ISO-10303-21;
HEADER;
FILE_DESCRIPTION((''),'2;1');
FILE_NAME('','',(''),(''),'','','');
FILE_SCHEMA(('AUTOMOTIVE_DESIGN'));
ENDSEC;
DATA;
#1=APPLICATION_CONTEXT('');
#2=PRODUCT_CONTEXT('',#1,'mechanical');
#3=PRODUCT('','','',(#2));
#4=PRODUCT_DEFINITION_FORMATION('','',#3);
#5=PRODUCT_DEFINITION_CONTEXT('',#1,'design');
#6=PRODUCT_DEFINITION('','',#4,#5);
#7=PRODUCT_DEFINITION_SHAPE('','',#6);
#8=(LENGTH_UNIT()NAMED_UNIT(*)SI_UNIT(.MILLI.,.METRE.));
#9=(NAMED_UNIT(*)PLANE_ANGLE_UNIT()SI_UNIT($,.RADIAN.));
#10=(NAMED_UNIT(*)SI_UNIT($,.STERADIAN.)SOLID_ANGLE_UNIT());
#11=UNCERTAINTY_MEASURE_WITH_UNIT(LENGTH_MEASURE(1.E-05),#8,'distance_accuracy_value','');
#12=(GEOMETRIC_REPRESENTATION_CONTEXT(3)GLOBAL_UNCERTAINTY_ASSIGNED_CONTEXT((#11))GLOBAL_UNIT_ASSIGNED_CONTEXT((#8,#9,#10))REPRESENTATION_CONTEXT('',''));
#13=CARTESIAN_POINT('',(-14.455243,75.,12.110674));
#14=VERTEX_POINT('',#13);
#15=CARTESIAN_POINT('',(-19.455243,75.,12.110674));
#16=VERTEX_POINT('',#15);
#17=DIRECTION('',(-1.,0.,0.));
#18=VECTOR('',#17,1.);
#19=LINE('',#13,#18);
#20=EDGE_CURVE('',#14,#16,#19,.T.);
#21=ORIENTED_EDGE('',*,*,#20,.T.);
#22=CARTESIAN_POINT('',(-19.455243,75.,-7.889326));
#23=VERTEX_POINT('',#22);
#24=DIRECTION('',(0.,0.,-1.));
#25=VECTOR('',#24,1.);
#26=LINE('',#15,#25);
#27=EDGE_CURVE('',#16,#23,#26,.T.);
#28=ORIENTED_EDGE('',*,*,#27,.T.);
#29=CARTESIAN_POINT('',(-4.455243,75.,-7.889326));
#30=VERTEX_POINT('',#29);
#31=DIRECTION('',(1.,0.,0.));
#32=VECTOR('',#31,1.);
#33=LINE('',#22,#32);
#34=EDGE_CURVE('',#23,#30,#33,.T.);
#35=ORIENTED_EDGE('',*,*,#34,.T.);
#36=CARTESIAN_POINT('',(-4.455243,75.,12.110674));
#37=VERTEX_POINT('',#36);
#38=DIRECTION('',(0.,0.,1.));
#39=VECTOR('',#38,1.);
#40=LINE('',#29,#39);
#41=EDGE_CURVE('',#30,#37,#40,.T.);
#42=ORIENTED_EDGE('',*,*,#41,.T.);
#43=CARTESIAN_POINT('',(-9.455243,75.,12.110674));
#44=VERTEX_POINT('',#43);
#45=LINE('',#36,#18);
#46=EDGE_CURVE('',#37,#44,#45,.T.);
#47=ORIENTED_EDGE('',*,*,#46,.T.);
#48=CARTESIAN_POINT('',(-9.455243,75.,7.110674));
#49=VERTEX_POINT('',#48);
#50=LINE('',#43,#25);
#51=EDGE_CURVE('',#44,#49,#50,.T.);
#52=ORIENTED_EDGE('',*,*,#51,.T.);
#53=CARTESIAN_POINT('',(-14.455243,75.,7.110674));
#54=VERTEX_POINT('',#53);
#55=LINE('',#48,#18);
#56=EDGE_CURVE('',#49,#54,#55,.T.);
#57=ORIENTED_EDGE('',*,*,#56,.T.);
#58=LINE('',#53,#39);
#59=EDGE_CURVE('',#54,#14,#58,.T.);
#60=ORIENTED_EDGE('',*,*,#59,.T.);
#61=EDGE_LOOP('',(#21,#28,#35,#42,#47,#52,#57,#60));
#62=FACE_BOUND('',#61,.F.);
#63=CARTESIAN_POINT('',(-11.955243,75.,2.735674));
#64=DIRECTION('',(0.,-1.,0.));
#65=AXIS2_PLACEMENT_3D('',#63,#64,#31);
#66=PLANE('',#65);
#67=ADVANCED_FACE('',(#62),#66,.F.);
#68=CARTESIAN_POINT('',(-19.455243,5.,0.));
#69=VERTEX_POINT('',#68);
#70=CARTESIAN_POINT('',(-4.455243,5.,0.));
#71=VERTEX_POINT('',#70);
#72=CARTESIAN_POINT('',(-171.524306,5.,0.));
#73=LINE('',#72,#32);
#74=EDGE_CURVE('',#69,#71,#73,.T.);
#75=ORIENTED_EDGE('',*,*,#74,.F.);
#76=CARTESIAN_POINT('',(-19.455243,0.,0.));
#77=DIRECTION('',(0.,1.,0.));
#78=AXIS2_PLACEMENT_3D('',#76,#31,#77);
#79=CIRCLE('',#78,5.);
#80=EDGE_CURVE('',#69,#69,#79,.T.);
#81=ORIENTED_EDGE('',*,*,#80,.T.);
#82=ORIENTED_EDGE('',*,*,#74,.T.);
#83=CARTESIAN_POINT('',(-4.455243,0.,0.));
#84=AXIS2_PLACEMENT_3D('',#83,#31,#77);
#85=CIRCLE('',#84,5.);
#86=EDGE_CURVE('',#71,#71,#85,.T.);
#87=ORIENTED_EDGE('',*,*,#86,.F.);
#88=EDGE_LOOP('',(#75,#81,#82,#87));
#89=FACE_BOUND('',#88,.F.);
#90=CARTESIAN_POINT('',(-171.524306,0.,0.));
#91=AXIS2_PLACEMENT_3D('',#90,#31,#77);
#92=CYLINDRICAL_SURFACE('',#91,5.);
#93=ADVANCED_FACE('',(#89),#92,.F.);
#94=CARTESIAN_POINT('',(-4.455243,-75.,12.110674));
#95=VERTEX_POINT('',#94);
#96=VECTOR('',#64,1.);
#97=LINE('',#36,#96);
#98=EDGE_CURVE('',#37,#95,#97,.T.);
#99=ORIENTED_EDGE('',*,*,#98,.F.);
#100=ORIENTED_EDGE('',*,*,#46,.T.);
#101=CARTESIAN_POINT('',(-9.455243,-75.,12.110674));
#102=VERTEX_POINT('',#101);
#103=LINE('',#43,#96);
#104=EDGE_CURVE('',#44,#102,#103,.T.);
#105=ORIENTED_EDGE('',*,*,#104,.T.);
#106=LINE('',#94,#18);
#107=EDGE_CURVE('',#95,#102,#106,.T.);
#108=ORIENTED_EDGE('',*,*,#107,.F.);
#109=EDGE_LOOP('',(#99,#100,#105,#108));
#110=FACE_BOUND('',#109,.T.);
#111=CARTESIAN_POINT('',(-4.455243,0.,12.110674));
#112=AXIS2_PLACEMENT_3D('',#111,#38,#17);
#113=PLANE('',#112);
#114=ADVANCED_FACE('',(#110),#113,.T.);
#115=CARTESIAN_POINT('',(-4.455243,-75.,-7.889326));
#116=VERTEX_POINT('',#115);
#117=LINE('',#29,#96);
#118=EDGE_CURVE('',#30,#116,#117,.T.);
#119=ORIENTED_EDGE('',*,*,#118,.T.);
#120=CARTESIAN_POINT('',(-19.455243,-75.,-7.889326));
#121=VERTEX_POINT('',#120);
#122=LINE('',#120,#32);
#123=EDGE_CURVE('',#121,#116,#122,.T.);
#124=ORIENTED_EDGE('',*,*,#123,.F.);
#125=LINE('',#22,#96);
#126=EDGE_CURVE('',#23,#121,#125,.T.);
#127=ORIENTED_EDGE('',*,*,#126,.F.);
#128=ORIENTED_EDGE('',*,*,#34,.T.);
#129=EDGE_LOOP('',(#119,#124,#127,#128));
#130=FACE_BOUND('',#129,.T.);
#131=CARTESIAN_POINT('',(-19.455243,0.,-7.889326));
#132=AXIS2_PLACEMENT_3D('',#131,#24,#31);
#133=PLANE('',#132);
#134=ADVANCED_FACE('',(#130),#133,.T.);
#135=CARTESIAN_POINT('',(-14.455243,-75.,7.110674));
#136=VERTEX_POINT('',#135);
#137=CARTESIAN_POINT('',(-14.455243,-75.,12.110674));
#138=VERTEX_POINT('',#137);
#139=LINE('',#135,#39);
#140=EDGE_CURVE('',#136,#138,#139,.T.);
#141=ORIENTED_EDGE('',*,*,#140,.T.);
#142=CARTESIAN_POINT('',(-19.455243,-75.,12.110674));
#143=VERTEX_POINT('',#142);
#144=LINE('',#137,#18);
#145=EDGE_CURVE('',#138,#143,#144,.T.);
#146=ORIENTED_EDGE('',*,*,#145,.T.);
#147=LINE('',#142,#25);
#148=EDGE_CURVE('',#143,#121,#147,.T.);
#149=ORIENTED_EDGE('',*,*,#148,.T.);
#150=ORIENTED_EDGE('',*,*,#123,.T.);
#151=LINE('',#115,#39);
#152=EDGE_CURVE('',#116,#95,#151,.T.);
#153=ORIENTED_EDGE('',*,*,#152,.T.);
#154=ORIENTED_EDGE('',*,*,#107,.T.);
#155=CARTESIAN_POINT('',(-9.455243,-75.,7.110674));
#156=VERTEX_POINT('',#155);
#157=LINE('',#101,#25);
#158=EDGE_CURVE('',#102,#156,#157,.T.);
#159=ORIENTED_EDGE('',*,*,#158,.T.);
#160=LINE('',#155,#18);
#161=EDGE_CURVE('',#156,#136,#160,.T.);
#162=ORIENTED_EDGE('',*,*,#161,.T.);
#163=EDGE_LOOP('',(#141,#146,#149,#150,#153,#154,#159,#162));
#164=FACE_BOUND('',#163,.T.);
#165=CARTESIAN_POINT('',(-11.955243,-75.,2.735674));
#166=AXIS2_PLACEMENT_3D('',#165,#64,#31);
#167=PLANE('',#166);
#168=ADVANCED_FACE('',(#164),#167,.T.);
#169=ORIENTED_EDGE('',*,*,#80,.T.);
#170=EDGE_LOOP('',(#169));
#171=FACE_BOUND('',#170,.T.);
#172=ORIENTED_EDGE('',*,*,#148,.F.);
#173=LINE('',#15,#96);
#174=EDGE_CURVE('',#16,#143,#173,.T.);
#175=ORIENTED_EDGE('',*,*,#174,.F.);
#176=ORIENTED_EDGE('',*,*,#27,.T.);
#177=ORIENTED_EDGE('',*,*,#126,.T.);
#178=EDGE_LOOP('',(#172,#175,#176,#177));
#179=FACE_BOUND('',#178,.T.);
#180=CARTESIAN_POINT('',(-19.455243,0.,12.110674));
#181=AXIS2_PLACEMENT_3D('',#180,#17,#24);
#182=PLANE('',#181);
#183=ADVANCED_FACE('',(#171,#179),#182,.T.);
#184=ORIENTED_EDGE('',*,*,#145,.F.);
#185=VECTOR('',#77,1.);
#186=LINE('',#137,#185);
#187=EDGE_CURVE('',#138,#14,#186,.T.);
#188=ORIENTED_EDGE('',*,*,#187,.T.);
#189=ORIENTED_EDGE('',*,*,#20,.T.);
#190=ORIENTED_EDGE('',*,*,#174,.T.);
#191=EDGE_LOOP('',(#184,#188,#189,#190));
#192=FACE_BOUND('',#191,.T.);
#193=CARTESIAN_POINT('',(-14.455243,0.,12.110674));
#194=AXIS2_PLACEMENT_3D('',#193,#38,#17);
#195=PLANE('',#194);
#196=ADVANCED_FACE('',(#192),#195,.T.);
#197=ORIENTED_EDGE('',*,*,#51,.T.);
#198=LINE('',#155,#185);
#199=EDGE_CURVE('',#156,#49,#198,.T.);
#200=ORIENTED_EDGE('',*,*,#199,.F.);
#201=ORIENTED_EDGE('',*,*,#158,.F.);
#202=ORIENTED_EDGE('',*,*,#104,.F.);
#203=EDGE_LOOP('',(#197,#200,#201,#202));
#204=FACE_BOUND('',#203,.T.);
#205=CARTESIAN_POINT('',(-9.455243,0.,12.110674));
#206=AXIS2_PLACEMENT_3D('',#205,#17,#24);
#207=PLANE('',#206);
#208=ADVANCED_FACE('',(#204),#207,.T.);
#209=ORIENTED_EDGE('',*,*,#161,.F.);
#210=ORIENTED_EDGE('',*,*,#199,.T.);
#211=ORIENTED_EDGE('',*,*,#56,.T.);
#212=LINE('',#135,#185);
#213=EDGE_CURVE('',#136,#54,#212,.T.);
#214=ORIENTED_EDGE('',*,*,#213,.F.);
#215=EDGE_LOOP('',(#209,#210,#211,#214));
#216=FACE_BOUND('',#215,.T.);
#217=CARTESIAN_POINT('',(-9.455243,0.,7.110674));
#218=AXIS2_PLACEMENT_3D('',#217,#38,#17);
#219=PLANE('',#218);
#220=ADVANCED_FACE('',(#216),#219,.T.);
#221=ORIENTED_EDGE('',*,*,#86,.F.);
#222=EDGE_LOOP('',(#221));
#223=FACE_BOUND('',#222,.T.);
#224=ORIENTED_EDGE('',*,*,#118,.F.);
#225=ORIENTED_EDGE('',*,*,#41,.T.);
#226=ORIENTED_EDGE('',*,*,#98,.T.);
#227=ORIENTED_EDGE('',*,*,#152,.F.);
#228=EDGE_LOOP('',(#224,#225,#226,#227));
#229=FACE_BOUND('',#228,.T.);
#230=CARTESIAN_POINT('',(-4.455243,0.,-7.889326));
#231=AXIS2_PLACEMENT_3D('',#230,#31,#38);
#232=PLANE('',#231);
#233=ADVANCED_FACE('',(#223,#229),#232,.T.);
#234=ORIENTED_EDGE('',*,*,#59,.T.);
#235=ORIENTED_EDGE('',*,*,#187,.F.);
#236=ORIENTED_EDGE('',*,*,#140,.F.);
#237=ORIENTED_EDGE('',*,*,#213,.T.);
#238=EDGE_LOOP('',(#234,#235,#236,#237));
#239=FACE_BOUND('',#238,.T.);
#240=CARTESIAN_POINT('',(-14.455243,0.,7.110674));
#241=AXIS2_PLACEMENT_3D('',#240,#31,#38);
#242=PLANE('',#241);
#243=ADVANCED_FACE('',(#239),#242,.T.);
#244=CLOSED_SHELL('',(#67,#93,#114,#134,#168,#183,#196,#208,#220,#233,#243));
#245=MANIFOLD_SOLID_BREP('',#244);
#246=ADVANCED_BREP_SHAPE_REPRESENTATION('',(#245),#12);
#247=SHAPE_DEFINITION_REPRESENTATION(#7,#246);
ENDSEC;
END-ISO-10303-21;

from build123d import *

# Parameters (mm, degrees)
F1_DEPTH = 75
F3_D     = 10


with BuildPart() as f1:
    # F0 (on Front) → F1 (new body, symmetric)
    with BuildSketch(Plane.XZ):
        Polygon((-14.455243, 12.110674), (-19.455243, 12.110674), (-19.455243, -7.889326), (-4.455243, -7.889326), (-4.455243, 12.110674), (-9.455243, 12.110674), (-9.455243, 7.110674), (-14.455243, 7.110674), align=None)
    extrude(amount=F1_DEPTH, both=True)

    # F3 (through all)
    with Locations(Plane(origin=(-19.455243, 0, 0), x_dir=(0, -1, 0), z_dir=(-1, 0, 0))):
        with Locations((0, 0)):
            Hole(F3_D / 2)


solid = f1.part
